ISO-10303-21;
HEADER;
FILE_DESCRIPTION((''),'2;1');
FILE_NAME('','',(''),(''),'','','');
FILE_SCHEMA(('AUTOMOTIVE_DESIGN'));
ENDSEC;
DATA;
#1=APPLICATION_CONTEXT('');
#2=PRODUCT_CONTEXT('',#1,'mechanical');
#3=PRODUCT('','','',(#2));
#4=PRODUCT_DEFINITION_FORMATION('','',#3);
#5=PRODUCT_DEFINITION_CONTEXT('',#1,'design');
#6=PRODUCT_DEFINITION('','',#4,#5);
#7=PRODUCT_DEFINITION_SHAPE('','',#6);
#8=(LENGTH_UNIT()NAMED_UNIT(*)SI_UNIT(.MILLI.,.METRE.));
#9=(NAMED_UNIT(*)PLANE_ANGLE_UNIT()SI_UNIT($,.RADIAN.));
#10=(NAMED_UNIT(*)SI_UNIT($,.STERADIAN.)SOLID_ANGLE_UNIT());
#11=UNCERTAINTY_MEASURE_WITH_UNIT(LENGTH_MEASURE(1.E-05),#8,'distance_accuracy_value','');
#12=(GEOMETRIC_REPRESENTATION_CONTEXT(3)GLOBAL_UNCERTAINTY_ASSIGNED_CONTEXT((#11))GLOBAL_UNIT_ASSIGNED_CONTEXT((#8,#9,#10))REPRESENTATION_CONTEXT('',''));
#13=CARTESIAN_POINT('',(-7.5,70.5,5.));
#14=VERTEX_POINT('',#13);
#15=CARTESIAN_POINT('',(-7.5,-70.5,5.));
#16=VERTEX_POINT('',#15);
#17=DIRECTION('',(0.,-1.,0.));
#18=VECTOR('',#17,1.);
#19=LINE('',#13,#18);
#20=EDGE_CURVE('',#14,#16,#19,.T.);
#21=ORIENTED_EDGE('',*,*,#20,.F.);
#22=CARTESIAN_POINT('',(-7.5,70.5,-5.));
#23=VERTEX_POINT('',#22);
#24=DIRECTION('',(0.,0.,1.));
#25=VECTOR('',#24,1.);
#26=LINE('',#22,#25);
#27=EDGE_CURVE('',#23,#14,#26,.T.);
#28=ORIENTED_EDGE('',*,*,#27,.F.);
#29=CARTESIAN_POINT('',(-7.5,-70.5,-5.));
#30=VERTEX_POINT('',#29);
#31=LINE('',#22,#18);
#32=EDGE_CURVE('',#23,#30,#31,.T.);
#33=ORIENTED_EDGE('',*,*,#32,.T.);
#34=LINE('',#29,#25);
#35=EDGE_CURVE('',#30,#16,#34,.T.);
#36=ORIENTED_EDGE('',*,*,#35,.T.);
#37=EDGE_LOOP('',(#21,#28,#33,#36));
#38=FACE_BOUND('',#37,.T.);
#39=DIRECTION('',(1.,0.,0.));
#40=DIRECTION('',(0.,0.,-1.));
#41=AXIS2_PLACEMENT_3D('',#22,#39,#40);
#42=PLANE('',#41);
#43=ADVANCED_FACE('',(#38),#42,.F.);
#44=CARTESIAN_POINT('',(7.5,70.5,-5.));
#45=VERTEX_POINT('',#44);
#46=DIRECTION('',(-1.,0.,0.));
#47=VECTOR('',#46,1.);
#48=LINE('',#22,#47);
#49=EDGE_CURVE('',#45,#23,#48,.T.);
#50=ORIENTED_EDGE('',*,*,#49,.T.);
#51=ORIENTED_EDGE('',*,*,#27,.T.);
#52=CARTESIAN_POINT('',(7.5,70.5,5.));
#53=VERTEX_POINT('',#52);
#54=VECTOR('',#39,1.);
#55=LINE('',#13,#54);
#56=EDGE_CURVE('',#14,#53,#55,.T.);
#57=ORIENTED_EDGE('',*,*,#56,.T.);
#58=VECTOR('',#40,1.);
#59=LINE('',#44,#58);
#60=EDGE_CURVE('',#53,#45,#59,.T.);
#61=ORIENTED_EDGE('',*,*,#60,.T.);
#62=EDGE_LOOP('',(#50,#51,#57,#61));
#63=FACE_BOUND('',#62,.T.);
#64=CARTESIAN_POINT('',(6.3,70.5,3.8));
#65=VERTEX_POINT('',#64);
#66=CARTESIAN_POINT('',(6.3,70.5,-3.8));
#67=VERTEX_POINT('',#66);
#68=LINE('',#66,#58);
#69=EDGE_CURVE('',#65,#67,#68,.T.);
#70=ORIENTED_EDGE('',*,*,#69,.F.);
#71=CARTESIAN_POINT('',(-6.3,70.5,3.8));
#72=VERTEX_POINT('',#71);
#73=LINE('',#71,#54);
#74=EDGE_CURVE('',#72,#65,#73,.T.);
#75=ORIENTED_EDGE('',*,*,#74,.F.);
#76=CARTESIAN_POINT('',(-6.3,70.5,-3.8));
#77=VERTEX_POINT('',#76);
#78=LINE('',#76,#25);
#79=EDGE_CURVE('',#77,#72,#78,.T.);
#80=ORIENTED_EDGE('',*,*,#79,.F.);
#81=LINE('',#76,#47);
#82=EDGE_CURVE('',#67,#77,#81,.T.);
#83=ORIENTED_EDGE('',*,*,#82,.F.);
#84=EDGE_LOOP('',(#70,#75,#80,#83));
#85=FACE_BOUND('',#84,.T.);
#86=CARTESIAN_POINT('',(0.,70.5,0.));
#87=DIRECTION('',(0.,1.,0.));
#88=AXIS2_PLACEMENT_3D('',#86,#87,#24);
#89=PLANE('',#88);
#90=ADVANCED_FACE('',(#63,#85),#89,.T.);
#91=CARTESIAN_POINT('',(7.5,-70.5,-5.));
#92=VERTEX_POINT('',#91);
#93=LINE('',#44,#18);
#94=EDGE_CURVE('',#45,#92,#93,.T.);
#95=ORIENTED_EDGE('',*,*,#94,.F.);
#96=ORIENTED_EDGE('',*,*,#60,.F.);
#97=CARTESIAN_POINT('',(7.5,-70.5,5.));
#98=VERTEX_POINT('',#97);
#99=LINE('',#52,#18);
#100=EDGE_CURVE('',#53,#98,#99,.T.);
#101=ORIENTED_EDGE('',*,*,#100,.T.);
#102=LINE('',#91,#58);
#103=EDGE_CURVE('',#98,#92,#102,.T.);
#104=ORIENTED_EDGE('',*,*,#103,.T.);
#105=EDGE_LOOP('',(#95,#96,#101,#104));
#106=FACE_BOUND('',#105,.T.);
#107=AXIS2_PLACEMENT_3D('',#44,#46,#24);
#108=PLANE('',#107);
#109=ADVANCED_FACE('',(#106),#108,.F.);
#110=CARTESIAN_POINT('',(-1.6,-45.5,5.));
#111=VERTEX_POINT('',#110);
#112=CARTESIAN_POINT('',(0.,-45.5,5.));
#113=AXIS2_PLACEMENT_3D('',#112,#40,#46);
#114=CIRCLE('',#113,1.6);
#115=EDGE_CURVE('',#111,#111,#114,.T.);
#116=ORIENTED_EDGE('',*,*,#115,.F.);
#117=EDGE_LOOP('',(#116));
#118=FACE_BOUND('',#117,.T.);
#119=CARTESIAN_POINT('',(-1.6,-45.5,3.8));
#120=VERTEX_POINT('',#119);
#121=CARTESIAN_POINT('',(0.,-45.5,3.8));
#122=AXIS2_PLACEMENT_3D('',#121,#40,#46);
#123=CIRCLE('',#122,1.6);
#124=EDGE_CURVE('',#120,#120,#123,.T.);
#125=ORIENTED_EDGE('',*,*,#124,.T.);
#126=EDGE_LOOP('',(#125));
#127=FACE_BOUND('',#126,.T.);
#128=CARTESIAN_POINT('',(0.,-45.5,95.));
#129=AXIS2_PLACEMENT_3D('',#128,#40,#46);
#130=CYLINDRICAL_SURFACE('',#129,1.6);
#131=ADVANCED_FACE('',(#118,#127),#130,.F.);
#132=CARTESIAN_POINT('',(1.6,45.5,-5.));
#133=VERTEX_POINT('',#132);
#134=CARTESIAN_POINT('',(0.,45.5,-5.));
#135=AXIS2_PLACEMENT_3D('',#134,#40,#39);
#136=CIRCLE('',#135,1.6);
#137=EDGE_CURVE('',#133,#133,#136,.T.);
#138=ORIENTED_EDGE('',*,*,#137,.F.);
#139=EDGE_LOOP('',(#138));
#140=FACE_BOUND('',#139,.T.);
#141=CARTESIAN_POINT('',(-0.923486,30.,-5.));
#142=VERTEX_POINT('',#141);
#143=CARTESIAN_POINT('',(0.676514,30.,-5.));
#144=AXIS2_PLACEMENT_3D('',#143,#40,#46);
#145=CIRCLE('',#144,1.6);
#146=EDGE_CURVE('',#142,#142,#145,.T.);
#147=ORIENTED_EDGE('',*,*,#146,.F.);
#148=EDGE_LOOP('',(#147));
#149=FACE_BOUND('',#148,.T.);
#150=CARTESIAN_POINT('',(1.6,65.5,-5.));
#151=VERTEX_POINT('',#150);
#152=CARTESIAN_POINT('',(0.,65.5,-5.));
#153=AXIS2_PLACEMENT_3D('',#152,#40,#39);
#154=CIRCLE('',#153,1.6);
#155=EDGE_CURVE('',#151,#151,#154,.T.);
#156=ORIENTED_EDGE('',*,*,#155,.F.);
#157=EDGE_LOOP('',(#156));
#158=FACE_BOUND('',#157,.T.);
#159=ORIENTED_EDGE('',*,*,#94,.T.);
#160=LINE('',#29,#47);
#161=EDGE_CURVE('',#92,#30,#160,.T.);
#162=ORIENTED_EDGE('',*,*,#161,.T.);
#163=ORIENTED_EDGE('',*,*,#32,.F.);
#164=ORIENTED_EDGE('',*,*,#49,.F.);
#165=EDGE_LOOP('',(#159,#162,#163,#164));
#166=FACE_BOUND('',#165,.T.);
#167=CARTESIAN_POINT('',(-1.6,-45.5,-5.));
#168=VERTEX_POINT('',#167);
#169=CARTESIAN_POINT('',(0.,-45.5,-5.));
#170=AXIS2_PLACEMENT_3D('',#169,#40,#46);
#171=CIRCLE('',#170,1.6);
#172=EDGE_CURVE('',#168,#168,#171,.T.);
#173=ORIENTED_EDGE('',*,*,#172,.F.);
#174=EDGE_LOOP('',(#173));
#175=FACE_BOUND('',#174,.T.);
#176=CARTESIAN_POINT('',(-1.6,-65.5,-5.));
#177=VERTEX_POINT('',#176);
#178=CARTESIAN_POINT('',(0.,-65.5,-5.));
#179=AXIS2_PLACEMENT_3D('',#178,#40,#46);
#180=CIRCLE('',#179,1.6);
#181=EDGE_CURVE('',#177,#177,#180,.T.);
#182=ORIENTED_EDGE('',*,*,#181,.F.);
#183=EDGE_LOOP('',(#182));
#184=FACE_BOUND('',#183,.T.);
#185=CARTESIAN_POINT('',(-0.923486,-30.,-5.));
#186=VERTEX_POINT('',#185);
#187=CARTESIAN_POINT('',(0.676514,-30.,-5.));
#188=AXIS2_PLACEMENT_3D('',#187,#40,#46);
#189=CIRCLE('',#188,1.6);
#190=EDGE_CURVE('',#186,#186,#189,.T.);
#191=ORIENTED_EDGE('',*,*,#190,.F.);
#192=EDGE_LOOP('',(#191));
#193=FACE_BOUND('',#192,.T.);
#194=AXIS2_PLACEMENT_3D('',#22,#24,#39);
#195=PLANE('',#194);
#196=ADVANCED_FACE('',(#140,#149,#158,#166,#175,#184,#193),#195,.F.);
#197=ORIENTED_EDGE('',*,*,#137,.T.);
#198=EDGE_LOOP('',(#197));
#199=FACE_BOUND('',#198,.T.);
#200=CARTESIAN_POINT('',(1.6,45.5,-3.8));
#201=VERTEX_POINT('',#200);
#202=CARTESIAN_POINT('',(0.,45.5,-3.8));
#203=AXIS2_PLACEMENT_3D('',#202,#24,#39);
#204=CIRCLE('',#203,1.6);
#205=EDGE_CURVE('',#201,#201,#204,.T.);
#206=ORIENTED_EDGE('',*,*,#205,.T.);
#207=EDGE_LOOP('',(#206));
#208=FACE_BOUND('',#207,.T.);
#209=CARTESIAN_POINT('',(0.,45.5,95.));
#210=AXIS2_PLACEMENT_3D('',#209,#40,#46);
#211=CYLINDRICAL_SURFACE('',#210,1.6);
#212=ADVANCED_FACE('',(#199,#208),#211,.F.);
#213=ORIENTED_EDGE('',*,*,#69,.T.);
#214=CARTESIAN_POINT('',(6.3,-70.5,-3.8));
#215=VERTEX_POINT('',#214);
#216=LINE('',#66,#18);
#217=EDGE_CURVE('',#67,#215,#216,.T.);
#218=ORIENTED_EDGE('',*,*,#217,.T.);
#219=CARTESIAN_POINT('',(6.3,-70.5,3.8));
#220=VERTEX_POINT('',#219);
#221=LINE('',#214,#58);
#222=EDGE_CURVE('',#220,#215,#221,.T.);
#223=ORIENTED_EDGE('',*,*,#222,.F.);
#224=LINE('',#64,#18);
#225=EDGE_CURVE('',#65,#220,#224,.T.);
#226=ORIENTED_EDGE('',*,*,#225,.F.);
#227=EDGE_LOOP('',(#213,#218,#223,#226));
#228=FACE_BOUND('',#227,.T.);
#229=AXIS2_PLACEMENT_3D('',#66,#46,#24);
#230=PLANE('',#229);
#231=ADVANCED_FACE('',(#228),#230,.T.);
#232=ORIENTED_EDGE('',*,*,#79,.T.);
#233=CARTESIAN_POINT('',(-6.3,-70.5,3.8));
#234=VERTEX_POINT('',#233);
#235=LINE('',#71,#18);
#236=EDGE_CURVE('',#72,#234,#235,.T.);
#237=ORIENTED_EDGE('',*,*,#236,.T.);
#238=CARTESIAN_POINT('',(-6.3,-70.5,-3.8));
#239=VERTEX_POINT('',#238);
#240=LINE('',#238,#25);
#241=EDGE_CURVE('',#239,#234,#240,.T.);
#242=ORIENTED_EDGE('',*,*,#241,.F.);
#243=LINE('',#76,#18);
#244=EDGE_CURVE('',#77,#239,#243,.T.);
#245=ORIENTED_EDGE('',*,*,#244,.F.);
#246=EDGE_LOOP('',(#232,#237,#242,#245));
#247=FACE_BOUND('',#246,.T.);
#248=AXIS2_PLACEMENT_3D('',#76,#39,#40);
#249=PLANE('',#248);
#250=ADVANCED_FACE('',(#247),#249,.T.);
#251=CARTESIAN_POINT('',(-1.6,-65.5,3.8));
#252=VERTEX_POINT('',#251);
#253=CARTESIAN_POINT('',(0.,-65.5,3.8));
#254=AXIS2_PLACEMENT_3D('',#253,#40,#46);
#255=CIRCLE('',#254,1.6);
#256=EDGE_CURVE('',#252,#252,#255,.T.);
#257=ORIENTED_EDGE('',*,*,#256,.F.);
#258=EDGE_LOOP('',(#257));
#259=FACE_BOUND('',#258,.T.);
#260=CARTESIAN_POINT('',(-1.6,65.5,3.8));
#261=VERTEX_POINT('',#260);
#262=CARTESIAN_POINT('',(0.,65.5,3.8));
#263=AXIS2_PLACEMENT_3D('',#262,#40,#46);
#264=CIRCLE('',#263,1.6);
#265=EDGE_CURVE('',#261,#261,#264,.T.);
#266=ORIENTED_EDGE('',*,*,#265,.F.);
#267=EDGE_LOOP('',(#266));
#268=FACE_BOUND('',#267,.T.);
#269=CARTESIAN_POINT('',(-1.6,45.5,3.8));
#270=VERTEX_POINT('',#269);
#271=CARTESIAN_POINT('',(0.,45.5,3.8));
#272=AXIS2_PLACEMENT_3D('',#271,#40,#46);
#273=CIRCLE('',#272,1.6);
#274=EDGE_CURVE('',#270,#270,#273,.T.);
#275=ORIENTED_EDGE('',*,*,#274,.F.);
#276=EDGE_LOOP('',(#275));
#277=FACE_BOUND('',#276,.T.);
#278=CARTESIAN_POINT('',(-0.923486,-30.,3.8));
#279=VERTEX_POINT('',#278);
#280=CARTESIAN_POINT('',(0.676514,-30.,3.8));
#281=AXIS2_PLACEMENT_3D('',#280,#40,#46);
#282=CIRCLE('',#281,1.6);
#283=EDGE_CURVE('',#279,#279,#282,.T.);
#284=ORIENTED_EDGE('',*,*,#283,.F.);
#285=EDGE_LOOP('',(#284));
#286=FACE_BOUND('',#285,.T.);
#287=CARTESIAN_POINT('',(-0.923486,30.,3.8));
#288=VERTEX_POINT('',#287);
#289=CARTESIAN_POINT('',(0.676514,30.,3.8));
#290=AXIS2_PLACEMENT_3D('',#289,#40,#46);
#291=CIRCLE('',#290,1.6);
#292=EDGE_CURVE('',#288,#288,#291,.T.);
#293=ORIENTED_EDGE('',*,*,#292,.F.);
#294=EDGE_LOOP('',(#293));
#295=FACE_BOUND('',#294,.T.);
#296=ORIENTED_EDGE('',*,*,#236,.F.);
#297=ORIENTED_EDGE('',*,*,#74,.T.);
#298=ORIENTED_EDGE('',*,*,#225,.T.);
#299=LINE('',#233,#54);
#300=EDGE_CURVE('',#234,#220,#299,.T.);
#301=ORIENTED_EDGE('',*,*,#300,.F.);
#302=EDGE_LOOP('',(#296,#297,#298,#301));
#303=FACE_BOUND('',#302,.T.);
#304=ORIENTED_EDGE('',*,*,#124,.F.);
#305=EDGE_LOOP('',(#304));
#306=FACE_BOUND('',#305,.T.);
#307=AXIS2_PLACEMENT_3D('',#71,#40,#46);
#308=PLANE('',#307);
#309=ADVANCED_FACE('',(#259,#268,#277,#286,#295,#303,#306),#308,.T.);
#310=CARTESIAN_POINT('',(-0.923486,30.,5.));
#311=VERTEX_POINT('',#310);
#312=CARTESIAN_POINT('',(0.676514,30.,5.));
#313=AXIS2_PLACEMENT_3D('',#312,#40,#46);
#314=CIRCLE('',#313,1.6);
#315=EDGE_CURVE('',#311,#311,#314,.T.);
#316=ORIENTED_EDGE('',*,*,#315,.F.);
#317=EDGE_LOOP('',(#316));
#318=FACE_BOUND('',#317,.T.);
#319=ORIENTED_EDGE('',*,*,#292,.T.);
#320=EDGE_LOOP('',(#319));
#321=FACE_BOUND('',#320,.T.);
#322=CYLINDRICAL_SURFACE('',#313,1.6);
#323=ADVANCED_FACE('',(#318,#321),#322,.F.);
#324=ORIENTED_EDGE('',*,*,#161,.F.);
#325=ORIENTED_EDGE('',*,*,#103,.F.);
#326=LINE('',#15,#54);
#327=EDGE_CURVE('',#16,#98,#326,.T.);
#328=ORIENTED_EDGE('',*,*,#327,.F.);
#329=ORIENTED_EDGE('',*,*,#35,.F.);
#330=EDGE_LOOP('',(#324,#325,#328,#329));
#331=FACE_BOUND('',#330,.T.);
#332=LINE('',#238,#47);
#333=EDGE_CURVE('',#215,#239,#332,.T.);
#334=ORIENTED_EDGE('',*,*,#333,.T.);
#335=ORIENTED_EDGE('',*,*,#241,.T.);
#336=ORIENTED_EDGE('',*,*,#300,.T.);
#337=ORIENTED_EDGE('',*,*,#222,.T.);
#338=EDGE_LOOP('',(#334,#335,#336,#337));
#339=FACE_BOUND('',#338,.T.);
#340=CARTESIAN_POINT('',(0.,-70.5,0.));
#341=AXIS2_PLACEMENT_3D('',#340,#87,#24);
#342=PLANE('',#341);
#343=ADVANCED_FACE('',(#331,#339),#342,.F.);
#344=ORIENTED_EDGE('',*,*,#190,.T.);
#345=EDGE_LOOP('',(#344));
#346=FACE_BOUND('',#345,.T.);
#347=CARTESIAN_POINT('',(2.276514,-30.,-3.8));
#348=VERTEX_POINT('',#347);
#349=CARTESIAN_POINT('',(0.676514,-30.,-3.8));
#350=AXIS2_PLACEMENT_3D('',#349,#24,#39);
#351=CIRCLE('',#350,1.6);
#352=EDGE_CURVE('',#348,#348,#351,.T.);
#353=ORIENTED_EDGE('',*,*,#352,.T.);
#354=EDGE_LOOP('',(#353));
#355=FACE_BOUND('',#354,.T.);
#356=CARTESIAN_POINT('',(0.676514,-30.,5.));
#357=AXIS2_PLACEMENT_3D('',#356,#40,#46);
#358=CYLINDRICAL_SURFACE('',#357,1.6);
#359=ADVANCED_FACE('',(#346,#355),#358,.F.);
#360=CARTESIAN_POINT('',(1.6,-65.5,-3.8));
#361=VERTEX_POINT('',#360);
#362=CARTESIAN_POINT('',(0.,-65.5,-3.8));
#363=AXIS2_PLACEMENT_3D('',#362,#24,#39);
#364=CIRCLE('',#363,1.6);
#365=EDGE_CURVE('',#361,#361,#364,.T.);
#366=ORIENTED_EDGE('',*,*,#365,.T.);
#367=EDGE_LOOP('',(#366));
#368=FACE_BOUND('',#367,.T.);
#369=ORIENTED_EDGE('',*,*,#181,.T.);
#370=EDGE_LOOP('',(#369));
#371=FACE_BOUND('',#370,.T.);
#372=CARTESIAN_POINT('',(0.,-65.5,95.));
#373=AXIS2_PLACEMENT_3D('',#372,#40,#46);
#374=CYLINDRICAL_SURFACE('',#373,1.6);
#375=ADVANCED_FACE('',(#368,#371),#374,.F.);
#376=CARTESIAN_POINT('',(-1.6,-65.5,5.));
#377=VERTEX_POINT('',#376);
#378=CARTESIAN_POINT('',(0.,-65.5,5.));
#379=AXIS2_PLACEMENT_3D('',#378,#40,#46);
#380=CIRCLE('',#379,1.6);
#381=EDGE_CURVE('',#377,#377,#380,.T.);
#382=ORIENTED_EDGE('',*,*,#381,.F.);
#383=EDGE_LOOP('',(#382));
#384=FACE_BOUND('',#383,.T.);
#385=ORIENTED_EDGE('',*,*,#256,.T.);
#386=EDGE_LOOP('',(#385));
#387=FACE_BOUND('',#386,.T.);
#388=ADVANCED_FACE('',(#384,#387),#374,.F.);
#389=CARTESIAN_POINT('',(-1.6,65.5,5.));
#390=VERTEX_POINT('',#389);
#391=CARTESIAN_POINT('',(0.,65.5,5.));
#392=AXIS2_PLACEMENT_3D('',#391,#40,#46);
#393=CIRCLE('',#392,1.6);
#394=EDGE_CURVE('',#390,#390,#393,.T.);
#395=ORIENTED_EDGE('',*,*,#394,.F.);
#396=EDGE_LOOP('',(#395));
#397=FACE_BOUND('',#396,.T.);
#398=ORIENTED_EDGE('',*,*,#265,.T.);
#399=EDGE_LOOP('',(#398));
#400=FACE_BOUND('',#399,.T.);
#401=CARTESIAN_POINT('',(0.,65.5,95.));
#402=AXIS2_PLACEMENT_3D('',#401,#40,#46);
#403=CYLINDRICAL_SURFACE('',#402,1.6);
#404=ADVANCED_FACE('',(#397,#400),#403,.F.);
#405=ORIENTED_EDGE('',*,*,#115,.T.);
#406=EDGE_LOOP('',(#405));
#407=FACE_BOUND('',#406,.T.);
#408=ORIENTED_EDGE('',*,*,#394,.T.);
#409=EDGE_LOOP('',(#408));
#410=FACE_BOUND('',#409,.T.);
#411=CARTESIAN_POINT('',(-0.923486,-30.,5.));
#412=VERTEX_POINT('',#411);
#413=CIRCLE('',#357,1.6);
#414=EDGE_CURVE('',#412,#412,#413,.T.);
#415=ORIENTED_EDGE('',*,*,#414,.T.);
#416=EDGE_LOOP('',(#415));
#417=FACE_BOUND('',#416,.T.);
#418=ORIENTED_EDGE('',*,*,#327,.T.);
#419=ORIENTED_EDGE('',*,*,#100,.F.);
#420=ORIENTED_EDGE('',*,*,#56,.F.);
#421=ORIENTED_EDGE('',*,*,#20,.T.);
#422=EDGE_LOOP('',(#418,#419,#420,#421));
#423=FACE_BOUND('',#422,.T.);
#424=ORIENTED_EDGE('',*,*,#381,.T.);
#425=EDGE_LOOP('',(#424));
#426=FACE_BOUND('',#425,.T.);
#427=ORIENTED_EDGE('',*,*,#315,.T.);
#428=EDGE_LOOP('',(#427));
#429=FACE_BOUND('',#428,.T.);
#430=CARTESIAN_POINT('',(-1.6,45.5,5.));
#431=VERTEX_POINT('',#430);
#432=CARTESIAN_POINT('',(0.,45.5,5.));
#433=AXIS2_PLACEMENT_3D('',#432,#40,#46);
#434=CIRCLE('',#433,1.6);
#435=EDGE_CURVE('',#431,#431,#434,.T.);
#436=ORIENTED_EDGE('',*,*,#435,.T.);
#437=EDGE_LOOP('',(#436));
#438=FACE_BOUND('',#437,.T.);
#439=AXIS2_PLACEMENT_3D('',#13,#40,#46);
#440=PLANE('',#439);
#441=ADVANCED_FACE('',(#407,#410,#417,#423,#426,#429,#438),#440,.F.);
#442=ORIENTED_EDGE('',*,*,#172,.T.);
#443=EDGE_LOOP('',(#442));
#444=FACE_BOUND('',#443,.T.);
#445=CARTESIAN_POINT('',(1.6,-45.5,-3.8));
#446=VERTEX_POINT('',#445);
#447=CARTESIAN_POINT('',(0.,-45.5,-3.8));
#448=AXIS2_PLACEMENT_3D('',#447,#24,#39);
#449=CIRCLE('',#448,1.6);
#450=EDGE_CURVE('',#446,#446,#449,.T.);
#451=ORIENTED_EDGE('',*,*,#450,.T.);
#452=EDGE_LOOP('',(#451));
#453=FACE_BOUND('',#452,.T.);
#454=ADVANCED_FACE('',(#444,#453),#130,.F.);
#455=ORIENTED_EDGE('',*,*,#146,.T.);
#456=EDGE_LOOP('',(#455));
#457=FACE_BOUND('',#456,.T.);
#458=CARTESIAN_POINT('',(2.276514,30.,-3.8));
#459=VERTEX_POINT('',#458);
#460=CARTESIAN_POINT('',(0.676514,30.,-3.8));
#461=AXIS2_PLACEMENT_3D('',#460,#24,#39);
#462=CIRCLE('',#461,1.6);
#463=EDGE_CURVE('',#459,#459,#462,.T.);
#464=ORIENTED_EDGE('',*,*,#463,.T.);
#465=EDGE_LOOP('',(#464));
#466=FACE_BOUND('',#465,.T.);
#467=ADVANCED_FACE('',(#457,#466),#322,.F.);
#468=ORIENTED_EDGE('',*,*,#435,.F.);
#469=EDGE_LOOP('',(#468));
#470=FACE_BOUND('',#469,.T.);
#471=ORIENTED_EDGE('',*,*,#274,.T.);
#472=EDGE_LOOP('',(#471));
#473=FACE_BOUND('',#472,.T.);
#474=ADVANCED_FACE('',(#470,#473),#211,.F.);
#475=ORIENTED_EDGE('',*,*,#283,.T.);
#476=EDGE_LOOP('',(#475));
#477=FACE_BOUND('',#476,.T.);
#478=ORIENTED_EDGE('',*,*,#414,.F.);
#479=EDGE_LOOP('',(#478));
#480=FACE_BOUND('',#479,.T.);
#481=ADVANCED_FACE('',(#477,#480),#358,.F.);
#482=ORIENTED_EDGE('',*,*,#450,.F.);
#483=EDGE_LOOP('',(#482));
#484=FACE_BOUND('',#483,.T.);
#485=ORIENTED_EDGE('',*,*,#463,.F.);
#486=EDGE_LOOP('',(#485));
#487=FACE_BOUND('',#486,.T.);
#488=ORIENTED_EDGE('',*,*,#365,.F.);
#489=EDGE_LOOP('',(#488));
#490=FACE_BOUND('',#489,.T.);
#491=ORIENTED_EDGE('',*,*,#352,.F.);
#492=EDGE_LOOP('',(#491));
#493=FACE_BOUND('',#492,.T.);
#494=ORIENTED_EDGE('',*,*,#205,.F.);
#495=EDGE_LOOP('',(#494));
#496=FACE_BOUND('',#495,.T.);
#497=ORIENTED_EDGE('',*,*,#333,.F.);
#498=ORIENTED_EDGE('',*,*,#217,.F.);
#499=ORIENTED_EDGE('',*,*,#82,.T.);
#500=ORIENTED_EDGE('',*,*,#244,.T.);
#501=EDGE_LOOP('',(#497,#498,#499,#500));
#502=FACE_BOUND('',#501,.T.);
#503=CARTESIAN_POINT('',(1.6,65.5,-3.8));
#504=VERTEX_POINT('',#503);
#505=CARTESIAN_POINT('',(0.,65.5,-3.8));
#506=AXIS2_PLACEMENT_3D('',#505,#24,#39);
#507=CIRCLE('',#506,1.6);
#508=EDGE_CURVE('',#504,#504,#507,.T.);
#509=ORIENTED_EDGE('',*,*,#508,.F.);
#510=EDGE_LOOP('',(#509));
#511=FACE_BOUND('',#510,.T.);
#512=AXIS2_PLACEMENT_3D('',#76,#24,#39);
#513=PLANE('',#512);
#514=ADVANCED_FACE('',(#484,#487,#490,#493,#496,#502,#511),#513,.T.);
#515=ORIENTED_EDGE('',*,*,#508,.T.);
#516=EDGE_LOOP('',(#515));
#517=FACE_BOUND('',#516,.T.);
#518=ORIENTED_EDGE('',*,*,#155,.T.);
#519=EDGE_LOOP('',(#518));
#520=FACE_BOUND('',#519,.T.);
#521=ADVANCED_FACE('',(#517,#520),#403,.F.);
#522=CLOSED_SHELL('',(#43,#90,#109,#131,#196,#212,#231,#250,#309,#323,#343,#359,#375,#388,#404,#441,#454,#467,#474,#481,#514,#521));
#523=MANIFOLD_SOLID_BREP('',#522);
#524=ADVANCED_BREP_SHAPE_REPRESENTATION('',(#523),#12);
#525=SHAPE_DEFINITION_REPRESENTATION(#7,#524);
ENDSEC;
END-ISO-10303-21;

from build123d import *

# Parameters (mm, degrees)
SKETCH_1_W          = 15
SKETCH_1_H          = 10
SKETCH_1_W_2        = 12.6
SKETCH_1_H_2        = 7.6
EXTRUDE_1_DEPTH     = 70.5
SKETCH_2_R          = 1.6
CUT_EXTRUDE_1_DEPTH = 100
SKETCH_3_R          = 1.6
CUT_EXTRUDE_2_DEPTH = 10


with BuildPart() as part:
    # ｽｹｯﾁ1 → ﾎﾞｽ - 押し出し1 (new, symmetric)
    with BuildSketch(Plane(origin=(0, 0, 0), x_dir=(1, 0, 0), z_dir=(0, 1, 0))):
        Rectangle(SKETCH_1_W, SKETCH_1_H)
        Rectangle(SKETCH_1_W_2, SKETCH_1_H_2, mode=Mode.SUBTRACT)
    extrude(amount=EXTRUDE_1_DEPTH, both=True)

    # ｽｹｯﾁ2 → ｶｯﾄ - 押し出し1 (cut)
    with BuildSketch(Plane(origin=(0, 0, -5), x_dir=(-1, 0, 0), z_dir=(0, 0, -1))):
        with Locations((0, -65.5)):
            Circle(SKETCH_2_R)
        with Locations((0, -45.5)):
            Circle(SKETCH_2_R)
        with Locations(Location((0, 45.5, 0), (0, 0, 180))):
            Circle(SKETCH_2_R)
        with Locations(Location((0, 65.5, 0), (0, 0, 180))):
            Circle(SKETCH_2_R)
    extrude(amount=-CUT_EXTRUDE_1_DEPTH, mode=Mode.SUBTRACT)

    # ｽｹｯﾁ3 → ｶｯﾄ - 押し出し2 (cut)
    with BuildSketch(Plane(origin=(0, 0, -5), x_dir=(-1, 0, 0), z_dir=(0, 0, -1))):
        with Locations((-0.676513704, -30)):
            Circle(SKETCH_3_R)
        with Locations((-0.676513704, 30)):
            Circle(SKETCH_3_R)
    extrude(amount=-CUT_EXTRUDE_2_DEPTH, mode=Mode.SUBTRACT)


solid = part.part
